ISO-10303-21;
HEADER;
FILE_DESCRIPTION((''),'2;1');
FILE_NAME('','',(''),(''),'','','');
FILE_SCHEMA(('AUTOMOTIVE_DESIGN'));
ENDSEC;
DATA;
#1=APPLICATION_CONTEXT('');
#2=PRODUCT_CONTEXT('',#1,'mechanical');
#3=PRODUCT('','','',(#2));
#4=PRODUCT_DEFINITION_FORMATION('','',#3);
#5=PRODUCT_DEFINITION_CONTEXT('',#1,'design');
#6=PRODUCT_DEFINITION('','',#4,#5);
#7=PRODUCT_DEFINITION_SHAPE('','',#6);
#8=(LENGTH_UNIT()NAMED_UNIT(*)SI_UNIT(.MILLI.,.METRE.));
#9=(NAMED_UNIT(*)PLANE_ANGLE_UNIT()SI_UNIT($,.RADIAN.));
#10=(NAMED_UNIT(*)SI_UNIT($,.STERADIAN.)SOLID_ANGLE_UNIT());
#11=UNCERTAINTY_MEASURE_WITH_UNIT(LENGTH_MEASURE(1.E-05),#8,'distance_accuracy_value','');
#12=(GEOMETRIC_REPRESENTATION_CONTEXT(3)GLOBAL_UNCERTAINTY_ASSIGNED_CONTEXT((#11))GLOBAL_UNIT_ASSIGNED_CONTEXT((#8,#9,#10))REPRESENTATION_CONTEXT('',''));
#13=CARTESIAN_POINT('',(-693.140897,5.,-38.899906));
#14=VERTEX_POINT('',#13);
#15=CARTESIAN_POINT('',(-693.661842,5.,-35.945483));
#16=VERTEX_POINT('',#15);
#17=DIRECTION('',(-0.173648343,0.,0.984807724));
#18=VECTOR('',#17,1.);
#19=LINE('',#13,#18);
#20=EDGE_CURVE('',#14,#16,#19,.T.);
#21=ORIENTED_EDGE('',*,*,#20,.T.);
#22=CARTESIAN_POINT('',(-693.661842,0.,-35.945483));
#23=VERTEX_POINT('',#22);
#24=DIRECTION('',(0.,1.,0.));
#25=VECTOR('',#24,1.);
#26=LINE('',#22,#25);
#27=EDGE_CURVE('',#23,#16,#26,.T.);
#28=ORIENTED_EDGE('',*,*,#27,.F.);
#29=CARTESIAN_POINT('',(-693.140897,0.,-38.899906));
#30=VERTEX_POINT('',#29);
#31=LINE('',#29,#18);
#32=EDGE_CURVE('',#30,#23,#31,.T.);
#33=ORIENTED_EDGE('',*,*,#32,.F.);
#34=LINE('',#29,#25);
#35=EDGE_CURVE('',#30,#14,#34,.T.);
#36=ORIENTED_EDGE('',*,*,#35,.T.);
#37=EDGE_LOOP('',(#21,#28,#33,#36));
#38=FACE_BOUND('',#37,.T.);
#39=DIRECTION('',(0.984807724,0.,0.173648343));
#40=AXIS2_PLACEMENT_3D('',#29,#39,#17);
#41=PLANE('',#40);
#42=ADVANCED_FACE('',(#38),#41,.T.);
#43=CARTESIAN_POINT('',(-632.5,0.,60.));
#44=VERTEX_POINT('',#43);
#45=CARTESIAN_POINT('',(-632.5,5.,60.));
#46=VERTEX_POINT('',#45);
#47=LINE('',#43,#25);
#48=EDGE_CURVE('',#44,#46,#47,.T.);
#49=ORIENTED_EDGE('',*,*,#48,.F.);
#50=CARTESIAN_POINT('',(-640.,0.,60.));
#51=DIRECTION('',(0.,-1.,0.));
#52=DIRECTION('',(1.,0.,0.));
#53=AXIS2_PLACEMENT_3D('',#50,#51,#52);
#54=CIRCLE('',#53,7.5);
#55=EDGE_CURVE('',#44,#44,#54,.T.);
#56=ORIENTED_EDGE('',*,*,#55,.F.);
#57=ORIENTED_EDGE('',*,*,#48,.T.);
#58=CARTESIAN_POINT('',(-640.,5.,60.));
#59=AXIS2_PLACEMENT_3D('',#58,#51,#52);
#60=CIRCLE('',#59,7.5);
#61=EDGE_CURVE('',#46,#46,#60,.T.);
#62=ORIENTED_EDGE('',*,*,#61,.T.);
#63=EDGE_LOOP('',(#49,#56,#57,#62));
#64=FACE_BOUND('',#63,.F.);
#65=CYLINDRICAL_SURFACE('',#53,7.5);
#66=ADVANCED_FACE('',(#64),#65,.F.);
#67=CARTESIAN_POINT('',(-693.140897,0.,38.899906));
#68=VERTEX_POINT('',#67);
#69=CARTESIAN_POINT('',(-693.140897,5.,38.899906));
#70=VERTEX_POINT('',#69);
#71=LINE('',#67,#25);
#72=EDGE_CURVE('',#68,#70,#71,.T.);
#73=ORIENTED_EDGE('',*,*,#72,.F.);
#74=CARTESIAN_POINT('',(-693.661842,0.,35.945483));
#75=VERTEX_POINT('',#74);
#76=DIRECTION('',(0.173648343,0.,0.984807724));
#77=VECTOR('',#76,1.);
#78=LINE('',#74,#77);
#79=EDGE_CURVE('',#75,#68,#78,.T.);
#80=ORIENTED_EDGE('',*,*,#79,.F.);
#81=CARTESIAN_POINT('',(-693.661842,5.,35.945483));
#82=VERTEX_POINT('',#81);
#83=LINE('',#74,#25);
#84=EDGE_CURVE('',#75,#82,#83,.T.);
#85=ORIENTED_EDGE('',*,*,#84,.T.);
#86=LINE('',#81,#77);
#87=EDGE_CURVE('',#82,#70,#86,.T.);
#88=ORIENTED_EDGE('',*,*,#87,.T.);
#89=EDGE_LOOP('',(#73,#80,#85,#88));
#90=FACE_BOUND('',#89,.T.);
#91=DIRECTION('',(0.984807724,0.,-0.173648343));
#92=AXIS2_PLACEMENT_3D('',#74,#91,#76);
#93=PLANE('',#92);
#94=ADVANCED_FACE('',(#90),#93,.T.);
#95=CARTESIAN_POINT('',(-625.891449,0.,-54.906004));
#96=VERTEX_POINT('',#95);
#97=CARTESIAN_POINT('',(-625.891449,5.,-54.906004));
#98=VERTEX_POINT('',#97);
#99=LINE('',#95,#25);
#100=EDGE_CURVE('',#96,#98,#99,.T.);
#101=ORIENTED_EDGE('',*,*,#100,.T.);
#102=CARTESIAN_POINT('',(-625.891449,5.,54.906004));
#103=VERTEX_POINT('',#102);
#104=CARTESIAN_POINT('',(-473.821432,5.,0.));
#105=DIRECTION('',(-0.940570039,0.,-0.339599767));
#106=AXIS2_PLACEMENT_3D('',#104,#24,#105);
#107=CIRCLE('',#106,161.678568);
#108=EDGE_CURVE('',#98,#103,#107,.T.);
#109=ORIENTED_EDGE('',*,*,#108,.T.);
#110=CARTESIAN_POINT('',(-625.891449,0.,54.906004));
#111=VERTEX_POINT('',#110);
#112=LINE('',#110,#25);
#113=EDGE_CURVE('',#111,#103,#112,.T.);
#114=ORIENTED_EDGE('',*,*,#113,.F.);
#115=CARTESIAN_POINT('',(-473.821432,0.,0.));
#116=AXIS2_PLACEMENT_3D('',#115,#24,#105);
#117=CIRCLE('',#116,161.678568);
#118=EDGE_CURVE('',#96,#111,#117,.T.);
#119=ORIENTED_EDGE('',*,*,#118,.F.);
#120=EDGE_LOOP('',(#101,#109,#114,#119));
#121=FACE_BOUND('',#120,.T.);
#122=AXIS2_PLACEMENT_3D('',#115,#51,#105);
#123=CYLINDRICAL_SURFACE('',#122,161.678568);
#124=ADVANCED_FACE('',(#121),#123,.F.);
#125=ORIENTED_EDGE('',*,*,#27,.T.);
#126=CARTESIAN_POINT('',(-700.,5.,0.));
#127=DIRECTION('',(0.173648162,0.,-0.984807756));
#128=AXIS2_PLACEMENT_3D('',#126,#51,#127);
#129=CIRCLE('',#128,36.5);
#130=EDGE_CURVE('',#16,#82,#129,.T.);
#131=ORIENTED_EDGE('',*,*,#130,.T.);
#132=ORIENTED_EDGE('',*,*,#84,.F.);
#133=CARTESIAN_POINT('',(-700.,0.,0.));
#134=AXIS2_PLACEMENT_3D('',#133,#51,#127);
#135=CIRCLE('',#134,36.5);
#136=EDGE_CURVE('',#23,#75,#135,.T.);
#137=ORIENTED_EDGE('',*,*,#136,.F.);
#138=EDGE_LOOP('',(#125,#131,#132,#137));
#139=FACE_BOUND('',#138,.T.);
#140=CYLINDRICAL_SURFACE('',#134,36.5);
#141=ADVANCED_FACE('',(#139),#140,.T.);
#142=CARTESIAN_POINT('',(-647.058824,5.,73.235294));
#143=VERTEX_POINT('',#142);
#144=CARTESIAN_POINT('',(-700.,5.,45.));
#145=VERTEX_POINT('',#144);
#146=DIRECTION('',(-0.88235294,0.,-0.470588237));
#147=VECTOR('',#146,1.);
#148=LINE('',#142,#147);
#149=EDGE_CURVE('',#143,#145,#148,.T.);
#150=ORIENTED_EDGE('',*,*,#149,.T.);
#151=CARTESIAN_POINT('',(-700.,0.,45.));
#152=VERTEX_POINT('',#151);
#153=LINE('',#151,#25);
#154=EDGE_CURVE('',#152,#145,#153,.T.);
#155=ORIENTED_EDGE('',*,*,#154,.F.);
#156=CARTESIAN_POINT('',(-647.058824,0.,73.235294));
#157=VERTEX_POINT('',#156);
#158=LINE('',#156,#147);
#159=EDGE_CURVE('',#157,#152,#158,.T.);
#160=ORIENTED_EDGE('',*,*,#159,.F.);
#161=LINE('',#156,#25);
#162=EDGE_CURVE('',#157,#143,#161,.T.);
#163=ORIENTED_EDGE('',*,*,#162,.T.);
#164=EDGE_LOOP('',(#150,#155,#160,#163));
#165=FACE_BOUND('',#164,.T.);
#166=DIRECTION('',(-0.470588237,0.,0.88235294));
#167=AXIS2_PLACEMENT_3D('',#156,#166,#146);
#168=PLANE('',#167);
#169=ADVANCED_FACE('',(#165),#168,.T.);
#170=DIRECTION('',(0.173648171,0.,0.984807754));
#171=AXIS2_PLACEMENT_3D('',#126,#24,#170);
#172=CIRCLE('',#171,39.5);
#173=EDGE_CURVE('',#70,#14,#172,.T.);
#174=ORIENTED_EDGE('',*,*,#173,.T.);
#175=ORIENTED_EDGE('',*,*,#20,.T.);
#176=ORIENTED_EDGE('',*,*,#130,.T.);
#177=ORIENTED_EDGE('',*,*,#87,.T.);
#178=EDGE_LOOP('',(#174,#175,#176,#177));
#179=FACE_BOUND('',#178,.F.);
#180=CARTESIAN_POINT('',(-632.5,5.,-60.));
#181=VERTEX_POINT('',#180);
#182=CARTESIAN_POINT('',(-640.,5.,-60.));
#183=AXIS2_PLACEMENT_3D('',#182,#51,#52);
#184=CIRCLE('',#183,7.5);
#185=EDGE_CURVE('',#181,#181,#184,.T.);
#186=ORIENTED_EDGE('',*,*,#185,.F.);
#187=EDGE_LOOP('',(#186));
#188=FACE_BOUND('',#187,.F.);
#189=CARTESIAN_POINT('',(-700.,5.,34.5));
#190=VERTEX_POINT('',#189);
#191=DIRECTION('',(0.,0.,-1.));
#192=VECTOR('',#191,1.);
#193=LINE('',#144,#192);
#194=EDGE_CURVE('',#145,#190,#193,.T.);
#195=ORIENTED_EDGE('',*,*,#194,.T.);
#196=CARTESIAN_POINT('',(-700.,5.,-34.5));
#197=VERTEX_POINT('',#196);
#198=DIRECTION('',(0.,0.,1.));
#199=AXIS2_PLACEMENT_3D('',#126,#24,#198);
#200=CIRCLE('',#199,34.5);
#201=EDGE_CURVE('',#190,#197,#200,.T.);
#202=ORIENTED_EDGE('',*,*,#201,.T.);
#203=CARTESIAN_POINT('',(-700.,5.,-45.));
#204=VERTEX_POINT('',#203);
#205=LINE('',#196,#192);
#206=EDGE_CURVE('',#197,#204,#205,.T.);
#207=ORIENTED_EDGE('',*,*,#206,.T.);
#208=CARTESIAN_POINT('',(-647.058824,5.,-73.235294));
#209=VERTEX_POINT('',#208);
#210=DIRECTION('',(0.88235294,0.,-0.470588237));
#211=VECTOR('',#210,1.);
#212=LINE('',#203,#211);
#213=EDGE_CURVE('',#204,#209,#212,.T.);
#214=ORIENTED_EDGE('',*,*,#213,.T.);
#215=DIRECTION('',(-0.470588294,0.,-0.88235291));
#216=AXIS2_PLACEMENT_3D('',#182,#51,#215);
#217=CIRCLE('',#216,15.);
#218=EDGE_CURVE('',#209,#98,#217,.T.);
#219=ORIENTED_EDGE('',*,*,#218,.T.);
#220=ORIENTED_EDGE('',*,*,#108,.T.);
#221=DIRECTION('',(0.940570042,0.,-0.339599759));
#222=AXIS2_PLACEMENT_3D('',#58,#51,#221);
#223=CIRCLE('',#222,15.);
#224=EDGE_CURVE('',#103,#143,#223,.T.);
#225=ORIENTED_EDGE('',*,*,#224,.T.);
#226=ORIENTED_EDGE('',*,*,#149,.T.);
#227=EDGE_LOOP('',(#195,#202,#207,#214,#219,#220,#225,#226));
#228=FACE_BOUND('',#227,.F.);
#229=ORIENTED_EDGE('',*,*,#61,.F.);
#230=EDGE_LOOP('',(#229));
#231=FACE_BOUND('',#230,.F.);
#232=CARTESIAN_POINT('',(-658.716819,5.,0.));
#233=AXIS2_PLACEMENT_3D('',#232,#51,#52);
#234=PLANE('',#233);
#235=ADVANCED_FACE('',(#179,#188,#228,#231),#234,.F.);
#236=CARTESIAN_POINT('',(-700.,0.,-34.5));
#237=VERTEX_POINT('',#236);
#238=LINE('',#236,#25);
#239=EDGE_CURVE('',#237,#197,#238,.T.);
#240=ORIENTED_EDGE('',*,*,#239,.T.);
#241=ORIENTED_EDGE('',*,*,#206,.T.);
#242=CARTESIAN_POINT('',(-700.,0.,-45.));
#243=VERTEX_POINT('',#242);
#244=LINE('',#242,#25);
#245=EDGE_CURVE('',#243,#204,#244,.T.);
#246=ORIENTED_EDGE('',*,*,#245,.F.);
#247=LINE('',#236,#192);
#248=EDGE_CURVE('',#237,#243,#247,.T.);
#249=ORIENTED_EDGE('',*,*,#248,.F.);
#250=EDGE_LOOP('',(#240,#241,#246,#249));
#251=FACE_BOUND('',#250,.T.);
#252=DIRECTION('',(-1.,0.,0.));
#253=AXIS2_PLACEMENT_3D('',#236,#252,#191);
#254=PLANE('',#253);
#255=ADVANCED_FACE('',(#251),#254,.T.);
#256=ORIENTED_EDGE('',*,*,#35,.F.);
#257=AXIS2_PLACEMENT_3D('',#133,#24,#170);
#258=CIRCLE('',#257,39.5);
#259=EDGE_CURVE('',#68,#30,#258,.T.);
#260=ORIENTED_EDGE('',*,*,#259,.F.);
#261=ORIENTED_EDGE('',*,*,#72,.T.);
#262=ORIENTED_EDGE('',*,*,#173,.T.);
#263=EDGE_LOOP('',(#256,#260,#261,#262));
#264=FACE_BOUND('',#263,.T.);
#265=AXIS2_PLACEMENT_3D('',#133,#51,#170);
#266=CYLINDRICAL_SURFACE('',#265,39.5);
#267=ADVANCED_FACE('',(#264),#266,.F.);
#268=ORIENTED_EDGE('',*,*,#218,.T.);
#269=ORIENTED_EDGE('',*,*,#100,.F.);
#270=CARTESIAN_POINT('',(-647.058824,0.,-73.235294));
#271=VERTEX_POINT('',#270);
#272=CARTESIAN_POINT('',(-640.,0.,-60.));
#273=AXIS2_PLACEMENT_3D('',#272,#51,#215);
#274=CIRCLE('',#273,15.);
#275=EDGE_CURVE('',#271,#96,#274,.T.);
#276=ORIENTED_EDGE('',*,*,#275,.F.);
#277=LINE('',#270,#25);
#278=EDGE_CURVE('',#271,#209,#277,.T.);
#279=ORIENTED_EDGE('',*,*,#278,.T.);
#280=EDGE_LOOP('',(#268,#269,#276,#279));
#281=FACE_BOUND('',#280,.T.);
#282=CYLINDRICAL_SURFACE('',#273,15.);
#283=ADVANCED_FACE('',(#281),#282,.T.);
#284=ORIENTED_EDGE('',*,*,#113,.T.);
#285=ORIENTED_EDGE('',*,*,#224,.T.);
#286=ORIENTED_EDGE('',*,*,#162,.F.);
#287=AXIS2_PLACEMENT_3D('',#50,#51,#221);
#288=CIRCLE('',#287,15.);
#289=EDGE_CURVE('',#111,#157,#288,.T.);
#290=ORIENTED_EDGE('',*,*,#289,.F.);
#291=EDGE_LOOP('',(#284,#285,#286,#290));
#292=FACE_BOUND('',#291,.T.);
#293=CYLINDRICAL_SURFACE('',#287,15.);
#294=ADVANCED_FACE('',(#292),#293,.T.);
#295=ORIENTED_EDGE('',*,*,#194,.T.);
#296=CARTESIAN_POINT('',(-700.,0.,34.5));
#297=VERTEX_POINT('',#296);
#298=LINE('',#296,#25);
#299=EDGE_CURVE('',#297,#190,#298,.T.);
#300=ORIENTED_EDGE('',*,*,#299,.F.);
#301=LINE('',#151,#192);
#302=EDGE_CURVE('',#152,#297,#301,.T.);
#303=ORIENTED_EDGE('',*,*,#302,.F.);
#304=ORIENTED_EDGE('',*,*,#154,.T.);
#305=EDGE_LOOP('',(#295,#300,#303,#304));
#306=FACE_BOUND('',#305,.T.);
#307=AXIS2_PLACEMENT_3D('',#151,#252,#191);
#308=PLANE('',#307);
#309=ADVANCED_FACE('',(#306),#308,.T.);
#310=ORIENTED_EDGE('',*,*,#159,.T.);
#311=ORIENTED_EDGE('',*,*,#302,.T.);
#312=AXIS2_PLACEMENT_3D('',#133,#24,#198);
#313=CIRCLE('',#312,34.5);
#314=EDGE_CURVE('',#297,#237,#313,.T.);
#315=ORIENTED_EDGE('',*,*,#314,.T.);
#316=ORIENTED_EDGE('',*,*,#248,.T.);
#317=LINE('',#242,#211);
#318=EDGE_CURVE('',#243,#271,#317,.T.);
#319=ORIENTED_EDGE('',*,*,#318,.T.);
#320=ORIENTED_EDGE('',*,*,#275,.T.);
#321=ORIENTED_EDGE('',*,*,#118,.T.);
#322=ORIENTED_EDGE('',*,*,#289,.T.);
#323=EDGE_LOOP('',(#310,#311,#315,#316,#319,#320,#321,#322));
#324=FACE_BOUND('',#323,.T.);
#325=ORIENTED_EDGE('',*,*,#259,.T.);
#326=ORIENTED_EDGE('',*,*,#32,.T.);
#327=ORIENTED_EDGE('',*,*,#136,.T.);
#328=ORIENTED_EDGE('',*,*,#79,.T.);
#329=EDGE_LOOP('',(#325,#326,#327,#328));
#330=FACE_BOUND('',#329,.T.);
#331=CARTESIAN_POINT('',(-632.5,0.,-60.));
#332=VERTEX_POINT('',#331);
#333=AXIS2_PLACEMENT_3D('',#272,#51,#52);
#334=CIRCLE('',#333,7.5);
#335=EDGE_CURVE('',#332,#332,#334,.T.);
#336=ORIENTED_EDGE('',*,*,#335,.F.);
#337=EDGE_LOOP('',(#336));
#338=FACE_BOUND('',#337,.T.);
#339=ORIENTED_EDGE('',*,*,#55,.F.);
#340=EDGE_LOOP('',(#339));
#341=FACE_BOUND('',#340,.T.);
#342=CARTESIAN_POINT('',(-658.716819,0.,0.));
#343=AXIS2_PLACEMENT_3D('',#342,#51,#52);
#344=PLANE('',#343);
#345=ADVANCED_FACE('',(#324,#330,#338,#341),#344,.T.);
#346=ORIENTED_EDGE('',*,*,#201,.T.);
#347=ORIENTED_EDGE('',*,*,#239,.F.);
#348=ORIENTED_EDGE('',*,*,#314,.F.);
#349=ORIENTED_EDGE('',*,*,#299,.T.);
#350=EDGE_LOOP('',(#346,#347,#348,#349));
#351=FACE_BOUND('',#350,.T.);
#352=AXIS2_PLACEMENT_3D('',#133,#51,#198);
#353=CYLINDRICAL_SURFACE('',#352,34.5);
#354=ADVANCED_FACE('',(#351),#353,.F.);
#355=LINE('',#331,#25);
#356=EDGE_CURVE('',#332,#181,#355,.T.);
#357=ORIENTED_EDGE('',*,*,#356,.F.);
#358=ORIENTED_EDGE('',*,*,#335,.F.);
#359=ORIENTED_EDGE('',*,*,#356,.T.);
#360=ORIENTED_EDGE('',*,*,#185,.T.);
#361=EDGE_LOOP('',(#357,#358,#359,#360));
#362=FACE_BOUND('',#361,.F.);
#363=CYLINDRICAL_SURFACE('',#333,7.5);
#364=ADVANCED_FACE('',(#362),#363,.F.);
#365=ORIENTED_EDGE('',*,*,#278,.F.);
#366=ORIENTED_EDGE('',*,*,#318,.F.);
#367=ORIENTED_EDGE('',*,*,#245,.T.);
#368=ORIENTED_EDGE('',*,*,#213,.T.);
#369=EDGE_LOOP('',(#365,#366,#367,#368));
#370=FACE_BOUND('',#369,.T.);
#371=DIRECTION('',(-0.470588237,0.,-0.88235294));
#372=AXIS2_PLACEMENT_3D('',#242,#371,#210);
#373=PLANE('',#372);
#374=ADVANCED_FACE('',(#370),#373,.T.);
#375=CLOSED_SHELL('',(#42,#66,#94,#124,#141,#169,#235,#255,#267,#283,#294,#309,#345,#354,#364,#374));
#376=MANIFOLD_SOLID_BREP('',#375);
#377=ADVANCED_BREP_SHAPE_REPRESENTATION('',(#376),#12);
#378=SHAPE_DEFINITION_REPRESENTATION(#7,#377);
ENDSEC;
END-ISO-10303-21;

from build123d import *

# Parameters (mm, degrees)
F0_R     = 7.5
F1_DEPTH = 5


with BuildPart() as f1:
    # F0 (on Front) → F1 (new body)
    with BuildSketch(Plane.XZ):
        with BuildLine():
            ThreePointArc((-700, 34.5), (-665.5, 0), (-700, -34.5))
            Line((-700, -34.5), (-700, -45))
            Line((-700, -45), (-647.058824, -73.235294))
            ThreePointArc((-647.058824, -73.235294), (-630.180866, -71.339516), (-625.891449, -54.906004))
            ThreePointArc((-625.891449, -54.906004), (-635.5, 0), (-625.891449, 54.906004))
            ThreePointArc((-625.891449, 54.906004), (-630.180866, 71.339516), (-647.058824, 73.235294))
            Line((-647.058824, 73.235294), (-700, 45))
            Line((-700, 45), (-700, 34.5))
        make_face()
        with Locations((-640, -60)):
            Circle(F0_R, mode=Mode.SUBTRACT)
        with BuildLine():
            Line((-693.140897, -38.899906), (-693.661842, -35.945483))
            ThreePointArc((-693.661842, -35.945483), (-663.5, 0), (-693.661842, 35.945483))
            Line((-693.661842, 35.945483), (-693.140897, 38.899906))
            ThreePointArc((-693.140897, 38.899906), (-660.5, 0), (-693.140897, -38.899906))
        make_face(mode=Mode.SUBTRACT)
        with Locations((-640, 60)):
            Circle(F0_R, mode=Mode.SUBTRACT)
    extrude(amount=-F1_DEPTH)


solid = f1.part
